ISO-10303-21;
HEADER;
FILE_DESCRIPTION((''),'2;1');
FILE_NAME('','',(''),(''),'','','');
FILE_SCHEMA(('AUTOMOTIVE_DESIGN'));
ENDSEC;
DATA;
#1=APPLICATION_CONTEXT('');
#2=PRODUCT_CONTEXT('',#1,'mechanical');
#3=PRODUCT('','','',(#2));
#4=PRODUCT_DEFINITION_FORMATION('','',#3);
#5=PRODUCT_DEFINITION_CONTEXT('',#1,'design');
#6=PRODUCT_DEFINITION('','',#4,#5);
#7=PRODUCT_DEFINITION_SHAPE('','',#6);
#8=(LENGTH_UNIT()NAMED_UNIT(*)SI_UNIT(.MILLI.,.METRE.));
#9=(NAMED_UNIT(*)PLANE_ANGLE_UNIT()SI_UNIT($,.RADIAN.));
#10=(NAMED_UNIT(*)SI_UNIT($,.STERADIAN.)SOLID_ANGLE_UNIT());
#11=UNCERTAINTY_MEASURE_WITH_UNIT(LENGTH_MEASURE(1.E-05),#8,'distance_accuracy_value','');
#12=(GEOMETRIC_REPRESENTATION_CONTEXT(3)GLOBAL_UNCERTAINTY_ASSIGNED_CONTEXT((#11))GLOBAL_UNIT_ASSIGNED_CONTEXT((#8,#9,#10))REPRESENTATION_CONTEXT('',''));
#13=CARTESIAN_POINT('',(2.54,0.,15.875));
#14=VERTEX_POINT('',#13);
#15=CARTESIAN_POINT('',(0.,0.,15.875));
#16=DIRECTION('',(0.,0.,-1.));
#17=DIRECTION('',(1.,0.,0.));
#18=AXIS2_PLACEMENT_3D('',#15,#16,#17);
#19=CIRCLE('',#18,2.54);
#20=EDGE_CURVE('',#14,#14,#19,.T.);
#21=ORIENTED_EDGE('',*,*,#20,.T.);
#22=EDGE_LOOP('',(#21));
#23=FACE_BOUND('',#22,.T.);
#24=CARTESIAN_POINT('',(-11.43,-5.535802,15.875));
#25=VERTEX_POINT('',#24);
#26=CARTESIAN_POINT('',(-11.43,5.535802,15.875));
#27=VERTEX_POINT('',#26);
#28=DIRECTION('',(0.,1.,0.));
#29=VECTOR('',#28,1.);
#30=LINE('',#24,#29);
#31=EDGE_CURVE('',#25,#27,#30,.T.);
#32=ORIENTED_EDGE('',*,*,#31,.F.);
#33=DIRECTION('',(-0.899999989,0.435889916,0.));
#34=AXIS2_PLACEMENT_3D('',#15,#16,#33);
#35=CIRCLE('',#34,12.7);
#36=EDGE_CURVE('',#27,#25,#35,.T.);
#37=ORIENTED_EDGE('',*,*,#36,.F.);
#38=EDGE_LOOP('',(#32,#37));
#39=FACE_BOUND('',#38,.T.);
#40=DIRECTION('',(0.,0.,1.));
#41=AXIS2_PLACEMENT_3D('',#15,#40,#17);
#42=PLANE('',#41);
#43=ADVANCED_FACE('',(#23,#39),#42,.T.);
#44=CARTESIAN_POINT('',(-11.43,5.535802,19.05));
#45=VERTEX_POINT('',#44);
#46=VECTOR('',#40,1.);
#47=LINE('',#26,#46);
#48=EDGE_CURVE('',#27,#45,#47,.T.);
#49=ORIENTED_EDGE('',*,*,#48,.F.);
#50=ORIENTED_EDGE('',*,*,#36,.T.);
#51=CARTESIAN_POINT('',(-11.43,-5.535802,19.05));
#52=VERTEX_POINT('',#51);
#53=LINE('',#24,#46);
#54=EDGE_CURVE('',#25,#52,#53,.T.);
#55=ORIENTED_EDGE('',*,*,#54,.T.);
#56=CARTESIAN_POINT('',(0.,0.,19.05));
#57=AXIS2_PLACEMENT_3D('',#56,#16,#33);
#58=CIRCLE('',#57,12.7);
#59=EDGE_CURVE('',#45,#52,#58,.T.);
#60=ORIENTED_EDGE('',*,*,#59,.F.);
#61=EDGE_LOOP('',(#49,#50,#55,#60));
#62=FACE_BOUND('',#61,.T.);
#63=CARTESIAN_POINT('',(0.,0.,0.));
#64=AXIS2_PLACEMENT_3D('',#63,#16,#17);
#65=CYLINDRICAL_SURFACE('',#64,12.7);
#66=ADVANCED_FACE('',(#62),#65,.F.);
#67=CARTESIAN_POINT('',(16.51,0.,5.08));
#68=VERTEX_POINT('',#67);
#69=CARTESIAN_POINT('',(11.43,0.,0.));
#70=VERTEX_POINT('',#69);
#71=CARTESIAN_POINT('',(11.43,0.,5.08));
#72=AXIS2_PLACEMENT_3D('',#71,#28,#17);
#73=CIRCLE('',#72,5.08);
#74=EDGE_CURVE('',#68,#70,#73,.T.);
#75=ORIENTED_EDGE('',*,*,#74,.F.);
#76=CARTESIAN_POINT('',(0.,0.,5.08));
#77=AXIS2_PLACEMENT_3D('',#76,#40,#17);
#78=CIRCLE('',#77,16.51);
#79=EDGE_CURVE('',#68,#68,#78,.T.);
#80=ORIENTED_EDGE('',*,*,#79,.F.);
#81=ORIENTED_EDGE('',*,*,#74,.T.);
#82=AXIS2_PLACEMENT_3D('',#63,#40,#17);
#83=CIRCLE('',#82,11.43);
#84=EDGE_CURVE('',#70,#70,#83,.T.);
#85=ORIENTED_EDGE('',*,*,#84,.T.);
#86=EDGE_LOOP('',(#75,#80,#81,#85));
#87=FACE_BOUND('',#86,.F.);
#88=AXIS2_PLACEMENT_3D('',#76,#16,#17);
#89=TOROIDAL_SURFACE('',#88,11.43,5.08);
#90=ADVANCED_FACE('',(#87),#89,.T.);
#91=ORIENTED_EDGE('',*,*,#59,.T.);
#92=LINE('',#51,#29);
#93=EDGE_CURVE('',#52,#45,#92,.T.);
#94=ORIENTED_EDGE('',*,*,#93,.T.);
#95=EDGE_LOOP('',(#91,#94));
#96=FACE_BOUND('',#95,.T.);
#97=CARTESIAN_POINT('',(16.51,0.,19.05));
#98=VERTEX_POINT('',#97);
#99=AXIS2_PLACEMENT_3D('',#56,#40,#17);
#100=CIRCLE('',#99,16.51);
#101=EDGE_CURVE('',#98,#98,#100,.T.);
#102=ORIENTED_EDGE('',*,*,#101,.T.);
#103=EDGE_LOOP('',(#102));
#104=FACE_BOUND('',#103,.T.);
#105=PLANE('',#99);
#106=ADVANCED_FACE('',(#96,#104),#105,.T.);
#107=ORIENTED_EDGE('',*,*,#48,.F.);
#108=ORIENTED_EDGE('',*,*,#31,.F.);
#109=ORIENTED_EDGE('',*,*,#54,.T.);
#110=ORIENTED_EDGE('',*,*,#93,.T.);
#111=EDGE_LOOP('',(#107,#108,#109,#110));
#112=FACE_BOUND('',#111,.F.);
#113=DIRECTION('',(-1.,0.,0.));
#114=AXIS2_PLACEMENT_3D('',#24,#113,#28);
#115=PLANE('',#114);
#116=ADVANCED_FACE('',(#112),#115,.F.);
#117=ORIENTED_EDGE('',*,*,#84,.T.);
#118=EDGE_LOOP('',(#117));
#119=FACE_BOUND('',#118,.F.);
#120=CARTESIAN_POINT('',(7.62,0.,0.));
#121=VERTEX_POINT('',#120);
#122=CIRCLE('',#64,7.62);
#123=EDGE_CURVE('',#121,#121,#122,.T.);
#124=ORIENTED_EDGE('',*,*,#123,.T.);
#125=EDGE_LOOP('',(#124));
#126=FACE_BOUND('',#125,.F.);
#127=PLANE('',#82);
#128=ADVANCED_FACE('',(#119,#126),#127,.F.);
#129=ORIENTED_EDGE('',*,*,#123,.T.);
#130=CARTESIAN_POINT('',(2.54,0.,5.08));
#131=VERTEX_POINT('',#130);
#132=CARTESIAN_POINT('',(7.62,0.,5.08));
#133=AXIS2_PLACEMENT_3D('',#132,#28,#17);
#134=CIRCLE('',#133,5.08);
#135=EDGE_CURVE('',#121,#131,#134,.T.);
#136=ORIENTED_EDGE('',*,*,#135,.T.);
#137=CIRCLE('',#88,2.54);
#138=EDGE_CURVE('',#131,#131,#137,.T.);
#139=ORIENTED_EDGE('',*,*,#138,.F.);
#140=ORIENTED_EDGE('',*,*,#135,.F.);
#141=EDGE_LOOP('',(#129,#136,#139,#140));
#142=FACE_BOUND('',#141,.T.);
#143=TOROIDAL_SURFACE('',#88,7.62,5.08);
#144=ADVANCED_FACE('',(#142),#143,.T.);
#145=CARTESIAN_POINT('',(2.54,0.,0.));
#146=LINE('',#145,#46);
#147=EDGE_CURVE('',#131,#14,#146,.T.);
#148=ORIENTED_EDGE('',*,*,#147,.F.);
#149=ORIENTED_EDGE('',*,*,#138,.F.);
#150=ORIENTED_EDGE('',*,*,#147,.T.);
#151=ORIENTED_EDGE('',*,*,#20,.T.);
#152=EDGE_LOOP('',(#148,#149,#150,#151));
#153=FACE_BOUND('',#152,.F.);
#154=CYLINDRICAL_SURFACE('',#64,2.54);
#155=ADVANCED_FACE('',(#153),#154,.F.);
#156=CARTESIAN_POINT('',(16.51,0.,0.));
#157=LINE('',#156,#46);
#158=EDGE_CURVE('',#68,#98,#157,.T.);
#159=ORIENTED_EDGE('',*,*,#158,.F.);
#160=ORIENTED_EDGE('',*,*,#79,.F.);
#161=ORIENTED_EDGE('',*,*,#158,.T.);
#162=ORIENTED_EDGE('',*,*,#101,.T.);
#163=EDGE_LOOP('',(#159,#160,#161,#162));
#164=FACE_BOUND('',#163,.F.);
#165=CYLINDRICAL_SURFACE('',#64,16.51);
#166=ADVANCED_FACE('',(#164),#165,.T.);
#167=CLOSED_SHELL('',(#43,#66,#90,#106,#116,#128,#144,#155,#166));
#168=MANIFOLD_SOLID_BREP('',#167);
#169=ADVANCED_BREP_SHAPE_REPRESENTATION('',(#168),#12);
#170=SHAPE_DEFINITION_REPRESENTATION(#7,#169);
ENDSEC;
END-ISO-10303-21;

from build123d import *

# Parameters (mm, degrees)
F0_R     = 12.7
F1_DEPTH = 15.875
F0_R_2   = 16.51
F2_DEPTH = 19.05
F4_DEPTH = 3.175
F5_R     = 2.54
F6_DEPTH = 19.051
F7_R     = 5.08


with BuildPart() as f1:
    # F0 (on Top) → F1 (new body)
    with BuildSketch(Plane.XY):
        Circle(F0_R)
    extrude(amount=F1_DEPTH)

    # F0 (on Top) → F2 (join)
    with BuildSketch(Plane.XY):
        Circle(F0_R_2)
        Circle(F0_R, mode=Mode.SUBTRACT)
    extrude(amount=F2_DEPTH)

    # F3 (on face) → F4 (join, through all)
    with BuildSketch(Plane.XY.offset(15.875)):
        with BuildLine():
            Line((-11.43, -5.535802), (-11.43, 5.535802))
            ThreePointArc((-11.43, 5.535802), (-12.7, 0), (-11.43, -5.535802))
        make_face()
    extrude(amount=F4_DEPTH)

    # F5 (on face) → F6 (cut, through all)
    with BuildSketch(Plane(origin=(0, 0, 0), x_dir=(1, 0, 0), z_dir=(0, 0, -1))):
        Circle(F5_R)
    extrude(amount=-F6_DEPTH, mode=Mode.SUBTRACT)

    # F7
    f7_edges = [f1.edges().sort_by_distance(p)[0] for p in [
        (-16.51, 0, 0),
        (-2.54, 0, 0),
    ]]
    fillet(f7_edges, radius=F7_R)


solid = f1.part
